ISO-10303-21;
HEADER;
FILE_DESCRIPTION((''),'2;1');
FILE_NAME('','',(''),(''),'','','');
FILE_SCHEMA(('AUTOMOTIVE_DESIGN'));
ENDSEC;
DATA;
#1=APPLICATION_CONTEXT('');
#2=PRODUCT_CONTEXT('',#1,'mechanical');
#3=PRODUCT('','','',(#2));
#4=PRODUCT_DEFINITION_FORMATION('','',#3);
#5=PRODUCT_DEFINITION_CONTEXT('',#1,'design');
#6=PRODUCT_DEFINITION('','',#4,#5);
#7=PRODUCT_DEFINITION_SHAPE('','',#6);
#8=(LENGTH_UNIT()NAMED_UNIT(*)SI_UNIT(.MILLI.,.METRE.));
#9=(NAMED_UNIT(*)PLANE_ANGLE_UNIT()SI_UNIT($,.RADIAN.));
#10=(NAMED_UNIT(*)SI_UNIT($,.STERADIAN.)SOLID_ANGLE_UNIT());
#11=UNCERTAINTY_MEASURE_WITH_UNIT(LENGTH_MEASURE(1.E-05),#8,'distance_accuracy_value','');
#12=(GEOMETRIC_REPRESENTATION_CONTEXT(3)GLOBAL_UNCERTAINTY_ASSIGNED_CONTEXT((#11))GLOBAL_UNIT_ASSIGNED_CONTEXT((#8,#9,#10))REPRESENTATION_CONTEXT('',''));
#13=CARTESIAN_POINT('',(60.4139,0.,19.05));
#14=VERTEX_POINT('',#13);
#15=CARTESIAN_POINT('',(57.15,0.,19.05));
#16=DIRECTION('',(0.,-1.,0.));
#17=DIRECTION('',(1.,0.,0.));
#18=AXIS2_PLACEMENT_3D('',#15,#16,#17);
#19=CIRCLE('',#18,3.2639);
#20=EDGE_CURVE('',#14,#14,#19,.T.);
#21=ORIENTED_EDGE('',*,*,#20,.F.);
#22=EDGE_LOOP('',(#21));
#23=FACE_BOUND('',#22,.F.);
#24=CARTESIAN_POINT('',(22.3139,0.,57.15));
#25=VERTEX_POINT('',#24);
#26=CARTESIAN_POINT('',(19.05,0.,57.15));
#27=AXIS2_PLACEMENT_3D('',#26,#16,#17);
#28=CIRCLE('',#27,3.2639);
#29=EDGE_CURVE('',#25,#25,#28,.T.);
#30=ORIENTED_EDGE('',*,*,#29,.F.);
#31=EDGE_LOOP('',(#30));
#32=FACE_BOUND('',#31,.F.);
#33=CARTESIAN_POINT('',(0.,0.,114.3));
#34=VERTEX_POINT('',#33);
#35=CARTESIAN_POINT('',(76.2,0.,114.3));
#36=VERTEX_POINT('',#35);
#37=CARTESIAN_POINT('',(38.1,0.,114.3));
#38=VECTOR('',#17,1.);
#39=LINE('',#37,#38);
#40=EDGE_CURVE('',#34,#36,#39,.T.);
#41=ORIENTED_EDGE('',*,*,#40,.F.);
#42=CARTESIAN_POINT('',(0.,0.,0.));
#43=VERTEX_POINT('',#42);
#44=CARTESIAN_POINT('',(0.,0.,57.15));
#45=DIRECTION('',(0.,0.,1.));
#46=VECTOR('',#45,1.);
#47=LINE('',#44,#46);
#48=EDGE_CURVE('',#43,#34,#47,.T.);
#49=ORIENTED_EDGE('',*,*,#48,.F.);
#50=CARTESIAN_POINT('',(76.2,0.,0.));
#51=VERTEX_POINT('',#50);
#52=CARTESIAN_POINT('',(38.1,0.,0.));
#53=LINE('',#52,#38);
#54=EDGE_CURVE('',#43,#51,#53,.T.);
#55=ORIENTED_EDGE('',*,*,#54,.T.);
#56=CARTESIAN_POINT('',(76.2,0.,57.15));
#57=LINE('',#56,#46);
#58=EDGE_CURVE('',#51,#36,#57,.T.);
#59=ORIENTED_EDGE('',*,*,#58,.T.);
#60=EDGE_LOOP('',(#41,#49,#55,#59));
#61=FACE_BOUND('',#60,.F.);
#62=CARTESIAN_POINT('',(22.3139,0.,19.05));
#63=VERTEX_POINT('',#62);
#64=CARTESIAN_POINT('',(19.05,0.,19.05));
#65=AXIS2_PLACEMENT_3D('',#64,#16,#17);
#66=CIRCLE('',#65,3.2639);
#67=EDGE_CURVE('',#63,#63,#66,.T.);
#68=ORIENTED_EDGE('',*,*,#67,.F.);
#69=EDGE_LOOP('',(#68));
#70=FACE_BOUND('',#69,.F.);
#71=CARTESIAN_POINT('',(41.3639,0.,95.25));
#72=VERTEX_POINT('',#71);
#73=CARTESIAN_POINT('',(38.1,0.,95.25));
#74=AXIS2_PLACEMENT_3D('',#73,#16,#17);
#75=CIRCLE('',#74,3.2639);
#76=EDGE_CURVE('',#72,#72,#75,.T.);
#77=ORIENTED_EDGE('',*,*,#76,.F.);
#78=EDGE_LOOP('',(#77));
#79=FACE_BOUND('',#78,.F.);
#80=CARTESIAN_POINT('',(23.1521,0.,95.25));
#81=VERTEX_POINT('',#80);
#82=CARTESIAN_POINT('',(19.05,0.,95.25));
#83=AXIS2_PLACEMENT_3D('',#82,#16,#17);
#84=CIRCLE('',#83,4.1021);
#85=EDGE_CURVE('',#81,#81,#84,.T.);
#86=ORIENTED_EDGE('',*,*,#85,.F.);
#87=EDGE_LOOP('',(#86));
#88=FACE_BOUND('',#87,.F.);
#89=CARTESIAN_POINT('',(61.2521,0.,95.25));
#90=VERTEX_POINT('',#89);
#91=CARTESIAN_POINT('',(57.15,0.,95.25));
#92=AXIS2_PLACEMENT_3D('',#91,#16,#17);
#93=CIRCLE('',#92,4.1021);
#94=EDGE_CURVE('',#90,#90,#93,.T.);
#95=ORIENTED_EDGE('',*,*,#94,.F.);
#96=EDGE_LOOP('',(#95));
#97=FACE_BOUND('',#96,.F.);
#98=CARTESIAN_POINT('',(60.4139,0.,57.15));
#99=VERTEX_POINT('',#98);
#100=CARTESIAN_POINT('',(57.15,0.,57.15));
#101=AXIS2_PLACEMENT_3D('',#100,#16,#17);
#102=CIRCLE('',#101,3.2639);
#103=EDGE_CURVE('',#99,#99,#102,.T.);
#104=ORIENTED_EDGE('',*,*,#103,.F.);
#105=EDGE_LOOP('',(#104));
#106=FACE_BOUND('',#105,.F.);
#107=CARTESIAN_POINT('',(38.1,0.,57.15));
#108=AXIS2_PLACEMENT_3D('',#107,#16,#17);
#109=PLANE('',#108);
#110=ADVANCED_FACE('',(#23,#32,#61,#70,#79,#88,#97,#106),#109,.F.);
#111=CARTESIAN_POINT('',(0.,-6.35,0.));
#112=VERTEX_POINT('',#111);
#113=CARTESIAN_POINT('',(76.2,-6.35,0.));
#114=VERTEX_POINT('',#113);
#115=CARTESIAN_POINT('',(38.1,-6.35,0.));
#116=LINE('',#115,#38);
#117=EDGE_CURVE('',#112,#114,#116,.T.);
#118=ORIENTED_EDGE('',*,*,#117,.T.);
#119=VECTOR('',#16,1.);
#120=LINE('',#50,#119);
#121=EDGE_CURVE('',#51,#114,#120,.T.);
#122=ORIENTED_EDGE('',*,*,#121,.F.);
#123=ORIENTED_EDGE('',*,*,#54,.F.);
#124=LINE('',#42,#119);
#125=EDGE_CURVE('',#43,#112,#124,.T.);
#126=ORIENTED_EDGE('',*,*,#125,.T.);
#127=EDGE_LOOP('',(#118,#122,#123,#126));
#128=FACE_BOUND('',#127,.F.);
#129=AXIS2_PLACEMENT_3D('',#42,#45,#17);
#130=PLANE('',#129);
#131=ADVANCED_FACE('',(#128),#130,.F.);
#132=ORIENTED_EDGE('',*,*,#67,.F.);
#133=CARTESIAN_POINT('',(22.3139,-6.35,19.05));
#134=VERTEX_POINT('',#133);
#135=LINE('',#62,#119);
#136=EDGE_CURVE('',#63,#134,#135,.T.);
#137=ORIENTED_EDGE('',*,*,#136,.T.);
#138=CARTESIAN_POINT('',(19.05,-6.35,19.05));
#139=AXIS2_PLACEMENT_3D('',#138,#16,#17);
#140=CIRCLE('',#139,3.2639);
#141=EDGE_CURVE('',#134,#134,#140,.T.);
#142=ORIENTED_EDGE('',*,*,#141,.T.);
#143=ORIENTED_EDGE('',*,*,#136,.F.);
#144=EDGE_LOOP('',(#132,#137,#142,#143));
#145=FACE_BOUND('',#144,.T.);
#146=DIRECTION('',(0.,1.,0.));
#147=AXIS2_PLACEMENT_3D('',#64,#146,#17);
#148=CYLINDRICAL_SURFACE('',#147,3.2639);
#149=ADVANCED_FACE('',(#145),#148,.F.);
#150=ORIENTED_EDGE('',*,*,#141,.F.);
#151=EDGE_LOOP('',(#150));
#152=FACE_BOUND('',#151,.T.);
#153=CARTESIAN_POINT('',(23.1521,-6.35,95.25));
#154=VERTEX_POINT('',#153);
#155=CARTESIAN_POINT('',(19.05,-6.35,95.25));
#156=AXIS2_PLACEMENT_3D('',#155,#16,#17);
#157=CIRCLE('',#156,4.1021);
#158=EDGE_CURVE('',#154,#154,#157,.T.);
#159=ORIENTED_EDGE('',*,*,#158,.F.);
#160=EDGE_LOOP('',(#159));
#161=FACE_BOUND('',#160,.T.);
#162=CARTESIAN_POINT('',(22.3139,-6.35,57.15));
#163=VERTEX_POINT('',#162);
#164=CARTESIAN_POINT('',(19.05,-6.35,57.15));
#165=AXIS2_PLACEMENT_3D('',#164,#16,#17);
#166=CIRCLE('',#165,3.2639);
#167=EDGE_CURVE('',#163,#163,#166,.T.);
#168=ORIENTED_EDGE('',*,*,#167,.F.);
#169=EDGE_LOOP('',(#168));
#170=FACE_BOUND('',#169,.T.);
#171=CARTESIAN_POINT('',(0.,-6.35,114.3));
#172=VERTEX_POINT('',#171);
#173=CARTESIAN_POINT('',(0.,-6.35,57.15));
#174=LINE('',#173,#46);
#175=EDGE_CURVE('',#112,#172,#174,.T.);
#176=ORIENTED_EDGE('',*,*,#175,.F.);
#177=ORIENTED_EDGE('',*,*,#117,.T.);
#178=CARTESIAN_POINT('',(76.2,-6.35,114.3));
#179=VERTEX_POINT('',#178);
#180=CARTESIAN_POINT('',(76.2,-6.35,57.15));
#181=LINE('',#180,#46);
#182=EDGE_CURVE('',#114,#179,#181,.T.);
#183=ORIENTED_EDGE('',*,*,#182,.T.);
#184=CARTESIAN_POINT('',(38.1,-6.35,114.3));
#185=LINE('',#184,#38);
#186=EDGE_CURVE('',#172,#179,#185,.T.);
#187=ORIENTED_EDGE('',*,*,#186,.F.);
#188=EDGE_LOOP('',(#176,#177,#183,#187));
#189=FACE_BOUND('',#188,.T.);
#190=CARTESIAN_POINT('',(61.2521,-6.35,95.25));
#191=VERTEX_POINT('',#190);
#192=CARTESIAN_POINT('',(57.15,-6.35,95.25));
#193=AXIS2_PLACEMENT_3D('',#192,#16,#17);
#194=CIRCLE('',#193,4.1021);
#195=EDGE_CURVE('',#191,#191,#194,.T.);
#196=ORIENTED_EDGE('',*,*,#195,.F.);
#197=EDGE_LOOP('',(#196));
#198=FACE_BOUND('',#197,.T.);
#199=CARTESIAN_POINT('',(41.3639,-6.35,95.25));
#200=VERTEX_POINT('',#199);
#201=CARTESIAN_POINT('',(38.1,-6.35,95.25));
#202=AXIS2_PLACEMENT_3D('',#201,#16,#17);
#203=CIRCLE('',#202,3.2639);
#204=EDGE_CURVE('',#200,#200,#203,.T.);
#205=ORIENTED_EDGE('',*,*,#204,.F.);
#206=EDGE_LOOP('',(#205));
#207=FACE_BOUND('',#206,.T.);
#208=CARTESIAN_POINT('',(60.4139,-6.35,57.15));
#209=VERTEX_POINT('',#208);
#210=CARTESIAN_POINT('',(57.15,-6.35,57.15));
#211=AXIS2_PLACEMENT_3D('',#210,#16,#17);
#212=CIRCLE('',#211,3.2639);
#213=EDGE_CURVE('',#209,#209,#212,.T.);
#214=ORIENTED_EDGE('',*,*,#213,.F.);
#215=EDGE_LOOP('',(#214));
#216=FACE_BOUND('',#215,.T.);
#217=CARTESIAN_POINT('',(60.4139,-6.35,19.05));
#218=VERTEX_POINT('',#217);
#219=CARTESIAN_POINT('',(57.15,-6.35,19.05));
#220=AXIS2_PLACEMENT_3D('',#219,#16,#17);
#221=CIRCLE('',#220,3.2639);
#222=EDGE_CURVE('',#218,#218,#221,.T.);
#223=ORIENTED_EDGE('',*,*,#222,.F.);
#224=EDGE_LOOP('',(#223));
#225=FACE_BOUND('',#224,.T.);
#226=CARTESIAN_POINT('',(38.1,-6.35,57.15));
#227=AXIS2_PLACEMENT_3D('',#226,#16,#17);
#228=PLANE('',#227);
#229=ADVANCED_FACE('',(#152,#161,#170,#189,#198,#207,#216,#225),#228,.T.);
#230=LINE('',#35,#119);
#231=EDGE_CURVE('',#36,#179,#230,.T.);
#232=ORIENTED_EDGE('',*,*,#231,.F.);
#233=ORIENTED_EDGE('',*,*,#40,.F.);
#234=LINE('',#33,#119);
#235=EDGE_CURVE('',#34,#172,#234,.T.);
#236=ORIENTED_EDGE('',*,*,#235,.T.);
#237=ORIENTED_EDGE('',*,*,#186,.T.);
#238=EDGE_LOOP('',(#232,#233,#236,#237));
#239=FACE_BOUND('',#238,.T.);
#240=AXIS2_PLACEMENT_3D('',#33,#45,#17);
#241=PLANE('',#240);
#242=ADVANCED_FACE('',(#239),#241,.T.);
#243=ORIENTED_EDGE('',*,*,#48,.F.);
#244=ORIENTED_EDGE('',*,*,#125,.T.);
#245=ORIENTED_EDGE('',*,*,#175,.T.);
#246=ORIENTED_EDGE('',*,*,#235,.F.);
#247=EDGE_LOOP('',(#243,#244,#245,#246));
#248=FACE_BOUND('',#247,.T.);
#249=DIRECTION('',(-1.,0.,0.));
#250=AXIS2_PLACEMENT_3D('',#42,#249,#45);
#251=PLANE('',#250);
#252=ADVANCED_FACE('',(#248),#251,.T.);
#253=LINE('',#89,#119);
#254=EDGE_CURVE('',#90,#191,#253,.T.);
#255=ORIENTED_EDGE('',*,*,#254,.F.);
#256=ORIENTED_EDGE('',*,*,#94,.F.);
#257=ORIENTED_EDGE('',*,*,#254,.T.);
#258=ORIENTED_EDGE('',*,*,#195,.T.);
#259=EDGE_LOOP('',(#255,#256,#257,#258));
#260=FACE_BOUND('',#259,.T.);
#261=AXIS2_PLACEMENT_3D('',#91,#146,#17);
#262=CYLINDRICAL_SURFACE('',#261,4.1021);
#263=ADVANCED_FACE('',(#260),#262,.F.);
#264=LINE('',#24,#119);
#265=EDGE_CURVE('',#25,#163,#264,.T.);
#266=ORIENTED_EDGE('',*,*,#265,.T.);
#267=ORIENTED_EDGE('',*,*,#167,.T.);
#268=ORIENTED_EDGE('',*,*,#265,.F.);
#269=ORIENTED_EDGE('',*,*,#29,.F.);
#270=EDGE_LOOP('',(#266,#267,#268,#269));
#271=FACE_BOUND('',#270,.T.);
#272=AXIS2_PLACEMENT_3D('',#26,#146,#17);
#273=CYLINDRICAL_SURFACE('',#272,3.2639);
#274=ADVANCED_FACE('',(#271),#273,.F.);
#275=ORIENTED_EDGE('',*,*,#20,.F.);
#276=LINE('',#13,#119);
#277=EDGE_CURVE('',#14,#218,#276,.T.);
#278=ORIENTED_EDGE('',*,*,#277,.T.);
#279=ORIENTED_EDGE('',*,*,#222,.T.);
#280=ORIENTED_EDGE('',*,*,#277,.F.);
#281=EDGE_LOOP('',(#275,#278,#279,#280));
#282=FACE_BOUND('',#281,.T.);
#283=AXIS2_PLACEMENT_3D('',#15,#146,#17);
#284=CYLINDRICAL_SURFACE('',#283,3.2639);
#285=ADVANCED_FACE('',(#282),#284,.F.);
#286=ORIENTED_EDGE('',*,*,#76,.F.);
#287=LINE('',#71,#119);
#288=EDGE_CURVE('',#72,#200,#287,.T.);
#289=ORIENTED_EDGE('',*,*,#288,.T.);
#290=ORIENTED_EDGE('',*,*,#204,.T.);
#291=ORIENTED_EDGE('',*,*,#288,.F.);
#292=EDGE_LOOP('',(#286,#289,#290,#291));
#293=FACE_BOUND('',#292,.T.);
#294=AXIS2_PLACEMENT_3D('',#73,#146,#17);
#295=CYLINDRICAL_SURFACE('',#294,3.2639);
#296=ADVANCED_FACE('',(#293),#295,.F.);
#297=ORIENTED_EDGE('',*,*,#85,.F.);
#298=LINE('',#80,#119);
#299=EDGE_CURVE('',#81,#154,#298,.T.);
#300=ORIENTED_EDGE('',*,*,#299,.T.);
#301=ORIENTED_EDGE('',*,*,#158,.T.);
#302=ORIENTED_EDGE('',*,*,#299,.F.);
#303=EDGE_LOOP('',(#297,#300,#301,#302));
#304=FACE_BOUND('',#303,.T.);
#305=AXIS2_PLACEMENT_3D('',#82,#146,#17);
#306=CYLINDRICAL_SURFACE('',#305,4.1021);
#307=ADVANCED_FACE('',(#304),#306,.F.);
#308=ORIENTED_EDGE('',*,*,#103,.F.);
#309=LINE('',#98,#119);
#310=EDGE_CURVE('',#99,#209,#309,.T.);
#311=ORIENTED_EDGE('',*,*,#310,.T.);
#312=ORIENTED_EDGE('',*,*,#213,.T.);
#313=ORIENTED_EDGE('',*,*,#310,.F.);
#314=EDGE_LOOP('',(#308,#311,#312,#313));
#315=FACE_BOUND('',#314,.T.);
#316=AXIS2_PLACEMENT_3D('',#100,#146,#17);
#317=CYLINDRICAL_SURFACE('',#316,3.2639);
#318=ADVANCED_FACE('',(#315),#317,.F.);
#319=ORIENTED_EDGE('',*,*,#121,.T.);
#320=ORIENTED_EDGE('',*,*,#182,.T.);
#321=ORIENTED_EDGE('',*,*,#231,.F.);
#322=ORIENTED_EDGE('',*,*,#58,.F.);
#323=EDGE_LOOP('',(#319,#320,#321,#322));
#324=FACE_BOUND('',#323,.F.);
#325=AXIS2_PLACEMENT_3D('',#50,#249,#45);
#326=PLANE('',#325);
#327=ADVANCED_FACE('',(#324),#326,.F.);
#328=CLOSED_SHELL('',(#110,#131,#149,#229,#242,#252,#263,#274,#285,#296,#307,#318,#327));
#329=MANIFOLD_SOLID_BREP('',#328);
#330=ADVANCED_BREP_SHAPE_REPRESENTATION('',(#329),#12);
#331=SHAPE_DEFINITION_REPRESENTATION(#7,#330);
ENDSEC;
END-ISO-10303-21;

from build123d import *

# Parameters (mm, degrees)
F0_W     = 76.2
F0_H     = 114.3
F0_R     = 3.2639
F0_R_2   = 4.1021
F1_DEPTH = 6.35


with BuildPart() as f1:
    # F0 (on Front) → F1 (new body)
    with BuildSketch(Plane.XZ):
        with Locations((38.1, 57.15)):
            Rectangle(F0_W, F0_H)
        with Locations((19.05, 19.05)):
            Circle(F0_R, mode=Mode.SUBTRACT)
        with Locations((57.15, 19.05)):
            Circle(F0_R, mode=Mode.SUBTRACT)
        with Locations((19.05, 57.15)):
            Circle(F0_R, mode=Mode.SUBTRACT)
        with Locations((19.05, 95.25)):
            Circle(F0_R_2, mode=Mode.SUBTRACT)
        with Locations((57.15, 57.15)):
            Circle(F0_R, mode=Mode.SUBTRACT)
        with Locations((38.1, 95.25)):
            Circle(F0_R, mode=Mode.SUBTRACT)
        with Locations((57.15, 95.25)):
            Circle(F0_R_2, mode=Mode.SUBTRACT)
    extrude(amount=F1_DEPTH)


solid = f1.part
